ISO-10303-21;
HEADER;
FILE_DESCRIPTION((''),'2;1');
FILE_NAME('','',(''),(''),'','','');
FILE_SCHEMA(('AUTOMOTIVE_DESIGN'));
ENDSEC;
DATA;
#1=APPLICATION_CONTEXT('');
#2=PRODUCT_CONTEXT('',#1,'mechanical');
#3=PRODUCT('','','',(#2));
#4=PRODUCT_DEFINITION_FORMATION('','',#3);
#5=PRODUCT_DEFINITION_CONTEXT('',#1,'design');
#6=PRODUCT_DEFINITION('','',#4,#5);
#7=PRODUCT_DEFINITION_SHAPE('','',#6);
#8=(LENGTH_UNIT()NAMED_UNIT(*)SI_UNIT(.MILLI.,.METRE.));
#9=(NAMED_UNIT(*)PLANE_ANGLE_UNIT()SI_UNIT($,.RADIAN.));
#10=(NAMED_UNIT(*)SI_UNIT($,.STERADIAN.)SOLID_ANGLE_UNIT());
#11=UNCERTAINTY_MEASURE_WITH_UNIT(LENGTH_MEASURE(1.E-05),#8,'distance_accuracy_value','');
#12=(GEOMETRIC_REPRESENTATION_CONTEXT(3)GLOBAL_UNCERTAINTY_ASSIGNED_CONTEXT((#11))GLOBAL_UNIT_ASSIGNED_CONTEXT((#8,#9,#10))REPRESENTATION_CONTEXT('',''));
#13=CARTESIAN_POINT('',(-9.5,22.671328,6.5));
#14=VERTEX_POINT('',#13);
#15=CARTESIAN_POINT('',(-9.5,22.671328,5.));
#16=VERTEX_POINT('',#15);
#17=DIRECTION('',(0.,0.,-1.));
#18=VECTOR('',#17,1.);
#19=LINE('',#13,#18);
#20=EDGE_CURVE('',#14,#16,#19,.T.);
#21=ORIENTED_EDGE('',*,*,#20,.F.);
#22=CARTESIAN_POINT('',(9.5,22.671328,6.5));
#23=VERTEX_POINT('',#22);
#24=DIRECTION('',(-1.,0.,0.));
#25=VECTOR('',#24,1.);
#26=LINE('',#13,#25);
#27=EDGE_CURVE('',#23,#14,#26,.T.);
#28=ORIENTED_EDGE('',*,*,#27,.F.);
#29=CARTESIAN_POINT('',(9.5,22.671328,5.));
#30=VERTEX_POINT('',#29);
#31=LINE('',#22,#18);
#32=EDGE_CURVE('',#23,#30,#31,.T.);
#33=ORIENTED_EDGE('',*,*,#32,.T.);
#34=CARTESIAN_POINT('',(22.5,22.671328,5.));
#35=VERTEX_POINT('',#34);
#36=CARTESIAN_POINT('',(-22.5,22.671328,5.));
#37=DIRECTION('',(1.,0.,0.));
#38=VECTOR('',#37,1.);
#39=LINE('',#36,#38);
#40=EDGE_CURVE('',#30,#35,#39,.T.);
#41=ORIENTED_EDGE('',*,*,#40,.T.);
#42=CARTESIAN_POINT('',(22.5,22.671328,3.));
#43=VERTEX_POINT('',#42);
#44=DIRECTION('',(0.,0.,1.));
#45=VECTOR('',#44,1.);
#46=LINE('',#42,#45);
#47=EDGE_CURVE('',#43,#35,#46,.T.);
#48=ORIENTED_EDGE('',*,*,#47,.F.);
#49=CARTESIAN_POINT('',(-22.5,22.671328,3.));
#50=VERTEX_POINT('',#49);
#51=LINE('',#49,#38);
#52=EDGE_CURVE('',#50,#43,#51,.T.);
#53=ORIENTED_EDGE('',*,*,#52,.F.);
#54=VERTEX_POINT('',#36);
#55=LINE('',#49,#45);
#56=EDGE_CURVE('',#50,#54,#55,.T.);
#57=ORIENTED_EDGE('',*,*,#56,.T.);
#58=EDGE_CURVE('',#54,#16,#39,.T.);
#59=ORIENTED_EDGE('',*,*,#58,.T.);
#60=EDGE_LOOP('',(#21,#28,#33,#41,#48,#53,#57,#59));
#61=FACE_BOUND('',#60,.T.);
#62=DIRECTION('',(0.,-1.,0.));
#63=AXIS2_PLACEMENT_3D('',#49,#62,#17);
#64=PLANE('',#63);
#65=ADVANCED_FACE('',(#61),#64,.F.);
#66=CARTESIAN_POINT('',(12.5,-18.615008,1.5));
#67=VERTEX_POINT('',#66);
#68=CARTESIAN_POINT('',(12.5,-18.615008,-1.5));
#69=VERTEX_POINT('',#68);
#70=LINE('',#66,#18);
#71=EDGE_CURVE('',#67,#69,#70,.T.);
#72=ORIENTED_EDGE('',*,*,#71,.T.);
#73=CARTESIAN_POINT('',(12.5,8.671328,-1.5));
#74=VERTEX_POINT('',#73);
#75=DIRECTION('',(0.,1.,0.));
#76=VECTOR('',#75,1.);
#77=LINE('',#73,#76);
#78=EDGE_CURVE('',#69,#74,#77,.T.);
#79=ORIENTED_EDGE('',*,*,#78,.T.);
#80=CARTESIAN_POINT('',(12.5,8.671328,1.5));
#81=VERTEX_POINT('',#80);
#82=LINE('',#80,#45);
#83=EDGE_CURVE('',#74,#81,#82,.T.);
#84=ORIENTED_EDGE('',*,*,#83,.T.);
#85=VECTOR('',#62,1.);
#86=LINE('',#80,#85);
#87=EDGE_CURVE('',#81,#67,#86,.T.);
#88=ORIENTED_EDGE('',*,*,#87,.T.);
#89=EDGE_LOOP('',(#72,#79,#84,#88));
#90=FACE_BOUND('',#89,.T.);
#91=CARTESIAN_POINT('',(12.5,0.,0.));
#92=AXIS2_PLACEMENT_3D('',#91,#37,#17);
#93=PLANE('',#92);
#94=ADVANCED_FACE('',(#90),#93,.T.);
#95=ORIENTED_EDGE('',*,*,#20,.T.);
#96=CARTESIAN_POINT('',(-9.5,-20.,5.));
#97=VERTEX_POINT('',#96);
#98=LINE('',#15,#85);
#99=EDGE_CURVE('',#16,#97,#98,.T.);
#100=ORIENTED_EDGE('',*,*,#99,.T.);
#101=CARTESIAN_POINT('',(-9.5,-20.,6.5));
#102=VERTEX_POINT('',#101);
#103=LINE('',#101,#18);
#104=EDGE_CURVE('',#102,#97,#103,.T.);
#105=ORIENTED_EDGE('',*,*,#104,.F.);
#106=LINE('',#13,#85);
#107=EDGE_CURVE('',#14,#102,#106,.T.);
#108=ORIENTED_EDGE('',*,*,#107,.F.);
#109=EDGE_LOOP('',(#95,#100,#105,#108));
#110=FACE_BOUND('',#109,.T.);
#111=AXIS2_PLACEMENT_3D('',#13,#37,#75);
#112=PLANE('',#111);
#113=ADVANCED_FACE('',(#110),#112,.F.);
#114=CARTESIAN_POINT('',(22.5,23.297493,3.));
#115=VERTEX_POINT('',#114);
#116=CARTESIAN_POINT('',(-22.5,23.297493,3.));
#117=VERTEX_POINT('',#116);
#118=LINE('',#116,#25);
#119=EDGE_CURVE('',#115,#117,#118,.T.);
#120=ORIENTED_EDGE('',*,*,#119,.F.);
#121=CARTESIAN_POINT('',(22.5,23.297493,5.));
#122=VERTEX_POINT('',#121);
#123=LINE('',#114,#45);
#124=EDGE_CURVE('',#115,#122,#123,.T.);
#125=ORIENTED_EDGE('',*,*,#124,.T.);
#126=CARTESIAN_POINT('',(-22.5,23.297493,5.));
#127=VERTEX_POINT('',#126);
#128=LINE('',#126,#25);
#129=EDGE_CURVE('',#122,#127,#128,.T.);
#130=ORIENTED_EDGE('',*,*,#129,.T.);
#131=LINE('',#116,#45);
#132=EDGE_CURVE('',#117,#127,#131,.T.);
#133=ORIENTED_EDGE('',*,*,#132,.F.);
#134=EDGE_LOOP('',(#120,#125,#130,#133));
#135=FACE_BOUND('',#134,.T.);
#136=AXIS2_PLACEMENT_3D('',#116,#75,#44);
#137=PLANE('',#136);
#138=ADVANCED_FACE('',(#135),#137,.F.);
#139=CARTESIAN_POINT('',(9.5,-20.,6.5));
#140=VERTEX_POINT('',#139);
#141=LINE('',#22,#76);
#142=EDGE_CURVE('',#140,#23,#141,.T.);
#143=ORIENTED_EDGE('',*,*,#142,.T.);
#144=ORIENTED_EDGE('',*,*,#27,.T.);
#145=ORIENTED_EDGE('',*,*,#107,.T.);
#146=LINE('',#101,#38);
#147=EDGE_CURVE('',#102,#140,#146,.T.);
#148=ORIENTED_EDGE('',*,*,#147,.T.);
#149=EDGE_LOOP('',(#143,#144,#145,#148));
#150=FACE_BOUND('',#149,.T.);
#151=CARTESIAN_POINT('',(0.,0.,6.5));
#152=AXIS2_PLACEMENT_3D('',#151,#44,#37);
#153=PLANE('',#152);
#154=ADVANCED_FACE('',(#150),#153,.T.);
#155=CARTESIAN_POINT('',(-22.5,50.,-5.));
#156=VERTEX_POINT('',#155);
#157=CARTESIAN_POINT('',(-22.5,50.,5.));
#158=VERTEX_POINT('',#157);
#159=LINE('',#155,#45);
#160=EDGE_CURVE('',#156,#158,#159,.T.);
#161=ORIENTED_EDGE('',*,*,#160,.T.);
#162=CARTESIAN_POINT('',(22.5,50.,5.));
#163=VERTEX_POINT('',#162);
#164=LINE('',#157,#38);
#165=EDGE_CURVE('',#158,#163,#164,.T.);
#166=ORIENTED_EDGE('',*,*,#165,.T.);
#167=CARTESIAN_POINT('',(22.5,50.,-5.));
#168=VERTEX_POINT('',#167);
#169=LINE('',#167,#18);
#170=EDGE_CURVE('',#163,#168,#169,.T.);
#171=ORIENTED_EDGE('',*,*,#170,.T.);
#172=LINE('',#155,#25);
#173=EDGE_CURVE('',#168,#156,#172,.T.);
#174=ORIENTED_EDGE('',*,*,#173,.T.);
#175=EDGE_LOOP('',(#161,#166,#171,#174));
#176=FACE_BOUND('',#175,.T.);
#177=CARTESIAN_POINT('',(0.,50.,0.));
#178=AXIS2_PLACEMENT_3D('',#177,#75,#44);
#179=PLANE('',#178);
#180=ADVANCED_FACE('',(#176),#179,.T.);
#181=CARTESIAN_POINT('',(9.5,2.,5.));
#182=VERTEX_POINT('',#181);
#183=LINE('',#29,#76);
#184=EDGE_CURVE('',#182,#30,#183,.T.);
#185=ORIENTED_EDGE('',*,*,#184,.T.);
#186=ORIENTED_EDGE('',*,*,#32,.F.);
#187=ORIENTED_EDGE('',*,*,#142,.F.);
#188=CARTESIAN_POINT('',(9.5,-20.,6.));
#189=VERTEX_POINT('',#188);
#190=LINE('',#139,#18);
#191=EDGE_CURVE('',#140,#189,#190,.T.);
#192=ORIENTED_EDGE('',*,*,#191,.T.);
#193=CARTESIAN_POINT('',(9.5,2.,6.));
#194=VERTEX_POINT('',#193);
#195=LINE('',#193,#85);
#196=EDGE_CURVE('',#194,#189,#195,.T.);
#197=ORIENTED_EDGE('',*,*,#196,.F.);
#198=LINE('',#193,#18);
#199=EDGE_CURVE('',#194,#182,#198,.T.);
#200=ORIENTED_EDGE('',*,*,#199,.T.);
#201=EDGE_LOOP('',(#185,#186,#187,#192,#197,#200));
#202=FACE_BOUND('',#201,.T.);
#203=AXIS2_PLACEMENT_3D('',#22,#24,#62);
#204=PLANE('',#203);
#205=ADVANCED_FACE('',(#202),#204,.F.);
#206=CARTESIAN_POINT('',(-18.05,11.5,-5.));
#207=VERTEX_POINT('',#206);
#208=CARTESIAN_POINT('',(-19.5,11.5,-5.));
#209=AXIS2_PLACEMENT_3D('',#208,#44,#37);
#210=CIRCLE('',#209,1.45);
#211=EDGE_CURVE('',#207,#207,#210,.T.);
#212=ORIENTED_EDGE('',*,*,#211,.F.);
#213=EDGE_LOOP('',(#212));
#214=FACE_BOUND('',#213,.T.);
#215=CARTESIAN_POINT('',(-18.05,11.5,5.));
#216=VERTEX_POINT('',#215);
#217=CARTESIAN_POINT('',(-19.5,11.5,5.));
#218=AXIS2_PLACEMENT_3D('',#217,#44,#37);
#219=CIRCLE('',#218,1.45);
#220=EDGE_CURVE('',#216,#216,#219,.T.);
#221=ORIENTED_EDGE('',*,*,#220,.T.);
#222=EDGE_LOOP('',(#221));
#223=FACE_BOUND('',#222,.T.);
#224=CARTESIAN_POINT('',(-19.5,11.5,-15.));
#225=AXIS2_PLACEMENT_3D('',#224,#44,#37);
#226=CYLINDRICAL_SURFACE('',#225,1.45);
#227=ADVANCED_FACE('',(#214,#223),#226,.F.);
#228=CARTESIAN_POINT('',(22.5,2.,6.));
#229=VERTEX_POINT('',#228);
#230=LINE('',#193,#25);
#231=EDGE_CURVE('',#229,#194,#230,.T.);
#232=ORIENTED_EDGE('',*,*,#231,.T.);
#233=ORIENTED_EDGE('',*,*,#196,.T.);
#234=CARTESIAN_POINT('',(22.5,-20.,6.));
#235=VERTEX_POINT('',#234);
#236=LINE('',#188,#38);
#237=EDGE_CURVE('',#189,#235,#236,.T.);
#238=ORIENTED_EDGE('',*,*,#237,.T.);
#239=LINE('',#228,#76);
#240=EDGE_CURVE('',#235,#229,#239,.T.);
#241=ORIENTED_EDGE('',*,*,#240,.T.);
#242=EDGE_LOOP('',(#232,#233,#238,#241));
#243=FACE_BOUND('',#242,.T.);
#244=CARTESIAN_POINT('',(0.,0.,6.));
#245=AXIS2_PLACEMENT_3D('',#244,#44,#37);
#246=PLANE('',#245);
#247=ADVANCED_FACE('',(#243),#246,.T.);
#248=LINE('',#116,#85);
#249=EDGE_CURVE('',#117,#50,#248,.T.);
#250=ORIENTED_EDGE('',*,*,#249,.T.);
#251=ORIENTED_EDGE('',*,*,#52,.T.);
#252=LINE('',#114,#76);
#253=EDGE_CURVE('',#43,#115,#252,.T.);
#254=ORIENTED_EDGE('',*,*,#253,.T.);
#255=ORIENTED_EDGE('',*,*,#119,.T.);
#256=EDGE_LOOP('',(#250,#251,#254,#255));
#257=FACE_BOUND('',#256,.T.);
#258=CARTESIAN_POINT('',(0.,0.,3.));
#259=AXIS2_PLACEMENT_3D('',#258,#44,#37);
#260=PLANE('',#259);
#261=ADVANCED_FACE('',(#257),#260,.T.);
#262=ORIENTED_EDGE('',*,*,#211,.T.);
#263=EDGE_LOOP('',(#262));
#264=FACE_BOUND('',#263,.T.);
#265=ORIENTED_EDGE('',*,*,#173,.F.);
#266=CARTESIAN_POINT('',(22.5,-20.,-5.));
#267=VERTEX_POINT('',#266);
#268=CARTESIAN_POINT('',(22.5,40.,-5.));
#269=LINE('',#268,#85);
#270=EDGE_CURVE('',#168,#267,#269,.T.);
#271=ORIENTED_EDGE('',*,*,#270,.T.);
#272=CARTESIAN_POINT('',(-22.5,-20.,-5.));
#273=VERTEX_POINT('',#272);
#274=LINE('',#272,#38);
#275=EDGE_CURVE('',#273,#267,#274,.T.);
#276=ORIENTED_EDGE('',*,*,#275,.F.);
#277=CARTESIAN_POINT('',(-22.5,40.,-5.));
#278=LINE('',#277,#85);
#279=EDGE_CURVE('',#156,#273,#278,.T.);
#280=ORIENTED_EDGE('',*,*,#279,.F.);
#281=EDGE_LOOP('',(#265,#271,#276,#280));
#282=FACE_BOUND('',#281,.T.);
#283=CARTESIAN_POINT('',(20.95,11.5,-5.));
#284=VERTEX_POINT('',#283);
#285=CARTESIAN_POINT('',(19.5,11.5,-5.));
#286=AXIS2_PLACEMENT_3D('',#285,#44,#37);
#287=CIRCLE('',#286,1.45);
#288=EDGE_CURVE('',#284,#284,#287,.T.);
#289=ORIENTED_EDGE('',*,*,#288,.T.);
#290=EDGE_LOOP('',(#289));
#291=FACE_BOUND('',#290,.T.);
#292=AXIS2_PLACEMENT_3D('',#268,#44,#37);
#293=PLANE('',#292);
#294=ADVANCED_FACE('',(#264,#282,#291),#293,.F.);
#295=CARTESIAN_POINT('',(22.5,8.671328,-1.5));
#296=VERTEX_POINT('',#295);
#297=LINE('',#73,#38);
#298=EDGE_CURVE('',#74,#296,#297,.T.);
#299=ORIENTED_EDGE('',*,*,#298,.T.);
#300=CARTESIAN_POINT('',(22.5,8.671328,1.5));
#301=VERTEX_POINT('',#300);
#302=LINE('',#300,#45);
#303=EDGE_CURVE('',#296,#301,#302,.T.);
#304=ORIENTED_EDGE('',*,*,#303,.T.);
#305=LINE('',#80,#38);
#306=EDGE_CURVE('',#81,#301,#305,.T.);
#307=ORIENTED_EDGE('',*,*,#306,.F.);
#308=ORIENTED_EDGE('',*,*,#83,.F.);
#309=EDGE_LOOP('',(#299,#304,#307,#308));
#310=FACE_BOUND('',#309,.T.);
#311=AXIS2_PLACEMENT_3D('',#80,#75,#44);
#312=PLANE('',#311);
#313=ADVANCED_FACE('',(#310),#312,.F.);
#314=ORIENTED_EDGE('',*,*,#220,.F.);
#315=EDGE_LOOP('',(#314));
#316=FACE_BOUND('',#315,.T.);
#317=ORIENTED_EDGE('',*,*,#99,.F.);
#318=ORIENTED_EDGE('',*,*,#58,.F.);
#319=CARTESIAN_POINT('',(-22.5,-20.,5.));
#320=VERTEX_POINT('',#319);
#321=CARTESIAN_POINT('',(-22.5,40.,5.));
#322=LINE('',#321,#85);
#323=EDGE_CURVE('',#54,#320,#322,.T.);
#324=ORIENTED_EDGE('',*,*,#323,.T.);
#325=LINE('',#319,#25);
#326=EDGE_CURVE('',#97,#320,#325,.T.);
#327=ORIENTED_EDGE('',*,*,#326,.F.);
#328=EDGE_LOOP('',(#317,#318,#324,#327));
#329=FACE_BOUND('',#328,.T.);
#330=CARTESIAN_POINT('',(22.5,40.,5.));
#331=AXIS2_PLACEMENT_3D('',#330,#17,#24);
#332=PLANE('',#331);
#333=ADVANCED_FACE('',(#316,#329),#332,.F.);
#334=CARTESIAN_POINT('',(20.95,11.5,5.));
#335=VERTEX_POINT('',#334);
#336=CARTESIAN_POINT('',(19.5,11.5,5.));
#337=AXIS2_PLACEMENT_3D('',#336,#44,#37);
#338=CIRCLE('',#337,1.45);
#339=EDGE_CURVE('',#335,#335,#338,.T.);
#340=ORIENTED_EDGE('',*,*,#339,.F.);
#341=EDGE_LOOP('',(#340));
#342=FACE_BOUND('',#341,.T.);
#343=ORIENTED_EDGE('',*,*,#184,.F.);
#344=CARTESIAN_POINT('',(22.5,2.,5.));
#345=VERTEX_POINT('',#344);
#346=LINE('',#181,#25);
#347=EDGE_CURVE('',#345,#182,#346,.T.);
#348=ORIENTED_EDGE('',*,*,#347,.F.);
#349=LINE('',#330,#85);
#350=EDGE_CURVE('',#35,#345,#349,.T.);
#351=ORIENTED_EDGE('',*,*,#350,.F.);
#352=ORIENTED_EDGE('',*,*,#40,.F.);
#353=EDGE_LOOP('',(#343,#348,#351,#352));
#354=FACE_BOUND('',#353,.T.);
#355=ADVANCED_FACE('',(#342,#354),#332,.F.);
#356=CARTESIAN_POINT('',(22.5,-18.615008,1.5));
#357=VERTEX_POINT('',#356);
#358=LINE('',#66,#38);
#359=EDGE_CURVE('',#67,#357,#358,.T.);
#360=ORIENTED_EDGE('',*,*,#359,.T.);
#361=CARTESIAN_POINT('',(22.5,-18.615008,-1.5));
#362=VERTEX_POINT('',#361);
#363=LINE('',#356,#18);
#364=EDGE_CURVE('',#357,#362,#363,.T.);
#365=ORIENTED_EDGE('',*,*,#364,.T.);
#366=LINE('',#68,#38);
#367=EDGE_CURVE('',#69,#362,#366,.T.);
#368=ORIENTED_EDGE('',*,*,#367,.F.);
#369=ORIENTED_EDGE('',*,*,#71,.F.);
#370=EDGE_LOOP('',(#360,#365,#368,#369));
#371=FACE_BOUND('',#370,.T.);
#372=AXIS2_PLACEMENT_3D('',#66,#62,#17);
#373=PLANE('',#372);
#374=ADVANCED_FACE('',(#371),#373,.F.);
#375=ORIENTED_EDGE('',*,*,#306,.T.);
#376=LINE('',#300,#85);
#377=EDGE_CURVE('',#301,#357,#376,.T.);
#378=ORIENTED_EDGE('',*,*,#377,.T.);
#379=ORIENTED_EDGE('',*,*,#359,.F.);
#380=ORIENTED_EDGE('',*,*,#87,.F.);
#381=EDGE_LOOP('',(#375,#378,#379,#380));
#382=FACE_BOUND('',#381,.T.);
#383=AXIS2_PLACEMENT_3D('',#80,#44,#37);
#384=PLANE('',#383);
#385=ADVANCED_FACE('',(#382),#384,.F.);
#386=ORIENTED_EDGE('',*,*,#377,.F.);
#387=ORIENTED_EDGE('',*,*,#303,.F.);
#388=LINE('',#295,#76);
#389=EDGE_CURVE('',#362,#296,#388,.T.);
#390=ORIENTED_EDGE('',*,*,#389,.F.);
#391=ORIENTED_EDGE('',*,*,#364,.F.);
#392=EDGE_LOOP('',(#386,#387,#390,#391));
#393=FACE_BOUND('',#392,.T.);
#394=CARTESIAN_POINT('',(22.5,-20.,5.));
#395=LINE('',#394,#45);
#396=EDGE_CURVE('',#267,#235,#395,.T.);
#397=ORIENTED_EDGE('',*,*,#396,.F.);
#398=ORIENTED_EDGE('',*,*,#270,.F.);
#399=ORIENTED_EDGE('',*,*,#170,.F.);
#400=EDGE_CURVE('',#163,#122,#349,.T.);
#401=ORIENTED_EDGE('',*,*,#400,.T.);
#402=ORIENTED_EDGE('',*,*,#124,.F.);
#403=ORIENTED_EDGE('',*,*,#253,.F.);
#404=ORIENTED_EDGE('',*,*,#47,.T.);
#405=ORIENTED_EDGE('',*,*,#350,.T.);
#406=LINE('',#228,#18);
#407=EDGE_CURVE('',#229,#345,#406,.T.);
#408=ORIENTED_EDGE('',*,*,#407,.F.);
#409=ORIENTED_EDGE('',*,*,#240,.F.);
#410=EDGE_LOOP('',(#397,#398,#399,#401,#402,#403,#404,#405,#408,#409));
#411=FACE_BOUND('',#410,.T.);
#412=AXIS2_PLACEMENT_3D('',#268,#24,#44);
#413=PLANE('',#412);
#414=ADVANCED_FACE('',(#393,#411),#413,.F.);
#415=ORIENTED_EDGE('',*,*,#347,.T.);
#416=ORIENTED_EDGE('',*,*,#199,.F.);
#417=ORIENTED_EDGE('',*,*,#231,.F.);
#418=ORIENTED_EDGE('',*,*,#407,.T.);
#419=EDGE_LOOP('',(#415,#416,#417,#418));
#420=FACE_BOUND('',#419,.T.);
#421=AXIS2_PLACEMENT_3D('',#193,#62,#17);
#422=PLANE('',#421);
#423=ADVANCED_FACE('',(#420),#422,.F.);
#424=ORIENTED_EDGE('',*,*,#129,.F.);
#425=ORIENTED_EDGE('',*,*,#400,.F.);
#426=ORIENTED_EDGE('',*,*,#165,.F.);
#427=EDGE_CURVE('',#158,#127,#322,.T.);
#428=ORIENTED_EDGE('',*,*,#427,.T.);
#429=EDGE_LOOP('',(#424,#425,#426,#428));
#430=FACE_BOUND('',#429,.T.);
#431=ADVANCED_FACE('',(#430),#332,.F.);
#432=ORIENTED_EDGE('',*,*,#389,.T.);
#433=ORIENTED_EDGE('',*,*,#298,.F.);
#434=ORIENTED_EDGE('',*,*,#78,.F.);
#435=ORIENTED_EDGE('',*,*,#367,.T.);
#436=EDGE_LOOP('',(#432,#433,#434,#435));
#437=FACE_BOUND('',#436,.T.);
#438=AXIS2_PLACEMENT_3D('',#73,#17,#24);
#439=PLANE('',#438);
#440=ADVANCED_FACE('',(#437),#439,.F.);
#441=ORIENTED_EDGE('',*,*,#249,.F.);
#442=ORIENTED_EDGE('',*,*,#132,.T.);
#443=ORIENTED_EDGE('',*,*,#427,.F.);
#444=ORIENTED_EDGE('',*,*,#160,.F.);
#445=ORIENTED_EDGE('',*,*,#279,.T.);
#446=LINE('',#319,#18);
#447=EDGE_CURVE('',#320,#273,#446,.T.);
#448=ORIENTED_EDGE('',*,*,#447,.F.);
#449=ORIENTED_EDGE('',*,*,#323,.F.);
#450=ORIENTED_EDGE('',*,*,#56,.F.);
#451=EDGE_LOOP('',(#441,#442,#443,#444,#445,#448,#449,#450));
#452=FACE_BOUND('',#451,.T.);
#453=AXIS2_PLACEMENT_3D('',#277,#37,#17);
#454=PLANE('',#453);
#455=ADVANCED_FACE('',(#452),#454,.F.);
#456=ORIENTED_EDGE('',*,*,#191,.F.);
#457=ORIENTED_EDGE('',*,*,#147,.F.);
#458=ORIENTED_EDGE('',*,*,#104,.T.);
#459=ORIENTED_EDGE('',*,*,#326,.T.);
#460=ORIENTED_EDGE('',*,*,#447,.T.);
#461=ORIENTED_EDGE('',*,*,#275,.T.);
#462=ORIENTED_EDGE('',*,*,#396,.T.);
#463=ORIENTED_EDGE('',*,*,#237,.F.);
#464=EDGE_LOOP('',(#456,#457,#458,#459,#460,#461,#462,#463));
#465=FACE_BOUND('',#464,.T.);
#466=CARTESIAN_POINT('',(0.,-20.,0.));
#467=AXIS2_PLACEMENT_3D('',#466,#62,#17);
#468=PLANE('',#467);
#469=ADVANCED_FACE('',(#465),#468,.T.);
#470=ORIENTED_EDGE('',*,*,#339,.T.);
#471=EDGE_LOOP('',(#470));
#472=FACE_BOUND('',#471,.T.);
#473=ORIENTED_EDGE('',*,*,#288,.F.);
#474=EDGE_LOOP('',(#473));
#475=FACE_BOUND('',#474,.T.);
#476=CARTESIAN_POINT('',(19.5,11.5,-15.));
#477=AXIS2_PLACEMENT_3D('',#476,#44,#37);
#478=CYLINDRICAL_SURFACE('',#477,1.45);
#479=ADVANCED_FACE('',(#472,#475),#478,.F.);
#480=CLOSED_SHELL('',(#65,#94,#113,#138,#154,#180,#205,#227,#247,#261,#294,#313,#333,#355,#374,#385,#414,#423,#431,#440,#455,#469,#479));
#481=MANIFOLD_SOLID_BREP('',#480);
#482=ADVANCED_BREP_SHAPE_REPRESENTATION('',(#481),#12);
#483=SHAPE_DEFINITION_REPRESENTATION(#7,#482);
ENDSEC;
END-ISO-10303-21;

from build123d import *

# Parameters (mm, degrees)
SKETCH2_W           = 45
SKETCH2_H           = 10
BOSS_EXTRUDE1_DEPTH = 40
SKETCH4_W           = 45
SKETCH4_H           = 10
BOSS_EXTRUDE2_DEPTH = 10
SKETCH8_W           = 45
SKETCH8_H           = 10
BOSS_EXTRUDE3_DEPTH = 20
SKETCH9_R           = 1.45
CUT_EXTRUDE2_DEPTH  = 20
SKETCH10_W          = 45
SKETCH10_H          = 0.626165357
CUT_EXTRUDE3_DEPTH  = 2
SKETCH11_W          = 19
SKETCH11_H          = 42.671327575
BOSS_EXTRUDE4_DEPTH = 1.5
SKETCH12_W          = 3
SKETCH12_H          = 27.286335608
CUT_EXTRUDE6_DEPTH  = 10
SKETCH13_W          = 13
SKETCH13_H          = 22
BOSS_EXTRUDE5_DEPTH = 1


with BuildPart() as part:
    # Sketch2 → Boss-Extrude1 (new body)
    with BuildSketch(Plane(origin=(0, 0, 0), x_dir=(1, 0, 0), z_dir=(0, 1, 0))):
        Rectangle(SKETCH2_W, SKETCH2_H)
    extrude(amount=BOSS_EXTRUDE1_DEPTH)

    # Sketch4 → Boss-Extrude2 (add)
    with BuildSketch(Plane(origin=(0, 40, 0), x_dir=(1, 0, 0), z_dir=(0, 1, 0))):
        Rectangle(SKETCH4_W, SKETCH4_H)
    extrude(amount=BOSS_EXTRUDE2_DEPTH)

    # Sketch8 → Boss-Extrude3 (add)
    with BuildSketch(Plane.XZ):
        Rectangle(SKETCH8_W, SKETCH8_H)
    extrude(amount=BOSS_EXTRUDE3_DEPTH)

    # Sketch9 → Cut-Extrude2 (cut)
    with BuildSketch(Plane.XY.offset(5)):
        with Locations((19.5, 11.5)):
            Circle(SKETCH9_R)
        with Locations((-19.5, 11.5)):
            Circle(SKETCH9_R)
    extrude(amount=-CUT_EXTRUDE2_DEPTH, mode=Mode.SUBTRACT)

    # Sketch10 → Cut-Extrude3 (cut)
    with BuildSketch(Plane.XY.offset(5)):
        with Locations((0, 22.984410254)):
            Rectangle(SKETCH10_W, SKETCH10_H)
    extrude(amount=-CUT_EXTRUDE3_DEPTH, mode=Mode.SUBTRACT)

    # Sketch11 → Boss-Extrude4 (add)
    with BuildSketch(Plane.XY.offset(5)):
        with Locations((0, 1.335663788)):
            Rectangle(SKETCH11_W, SKETCH11_H)
    extrude(amount=BOSS_EXTRUDE4_DEPTH)

    # Sketch12 → Cut-Extrude6 (cut)
    with BuildSketch(Plane(origin=(22.5, 0, 0), x_dir=(0, 0, -1), z_dir=(1, 0, 0))):
        with Locations((0, -4.971840229)):
            Rectangle(SKETCH12_W, SKETCH12_H)
    extrude(amount=-CUT_EXTRUDE6_DEPTH, mode=Mode.SUBTRACT)

    # Sketch13 → Boss-Extrude5 (add)
    with BuildSketch(Plane.XY.offset(5)):
        with Locations((16, -9)):
            Rectangle(SKETCH13_W, SKETCH13_H)
    extrude(amount=BOSS_EXTRUDE5_DEPTH)


solid = part.part
